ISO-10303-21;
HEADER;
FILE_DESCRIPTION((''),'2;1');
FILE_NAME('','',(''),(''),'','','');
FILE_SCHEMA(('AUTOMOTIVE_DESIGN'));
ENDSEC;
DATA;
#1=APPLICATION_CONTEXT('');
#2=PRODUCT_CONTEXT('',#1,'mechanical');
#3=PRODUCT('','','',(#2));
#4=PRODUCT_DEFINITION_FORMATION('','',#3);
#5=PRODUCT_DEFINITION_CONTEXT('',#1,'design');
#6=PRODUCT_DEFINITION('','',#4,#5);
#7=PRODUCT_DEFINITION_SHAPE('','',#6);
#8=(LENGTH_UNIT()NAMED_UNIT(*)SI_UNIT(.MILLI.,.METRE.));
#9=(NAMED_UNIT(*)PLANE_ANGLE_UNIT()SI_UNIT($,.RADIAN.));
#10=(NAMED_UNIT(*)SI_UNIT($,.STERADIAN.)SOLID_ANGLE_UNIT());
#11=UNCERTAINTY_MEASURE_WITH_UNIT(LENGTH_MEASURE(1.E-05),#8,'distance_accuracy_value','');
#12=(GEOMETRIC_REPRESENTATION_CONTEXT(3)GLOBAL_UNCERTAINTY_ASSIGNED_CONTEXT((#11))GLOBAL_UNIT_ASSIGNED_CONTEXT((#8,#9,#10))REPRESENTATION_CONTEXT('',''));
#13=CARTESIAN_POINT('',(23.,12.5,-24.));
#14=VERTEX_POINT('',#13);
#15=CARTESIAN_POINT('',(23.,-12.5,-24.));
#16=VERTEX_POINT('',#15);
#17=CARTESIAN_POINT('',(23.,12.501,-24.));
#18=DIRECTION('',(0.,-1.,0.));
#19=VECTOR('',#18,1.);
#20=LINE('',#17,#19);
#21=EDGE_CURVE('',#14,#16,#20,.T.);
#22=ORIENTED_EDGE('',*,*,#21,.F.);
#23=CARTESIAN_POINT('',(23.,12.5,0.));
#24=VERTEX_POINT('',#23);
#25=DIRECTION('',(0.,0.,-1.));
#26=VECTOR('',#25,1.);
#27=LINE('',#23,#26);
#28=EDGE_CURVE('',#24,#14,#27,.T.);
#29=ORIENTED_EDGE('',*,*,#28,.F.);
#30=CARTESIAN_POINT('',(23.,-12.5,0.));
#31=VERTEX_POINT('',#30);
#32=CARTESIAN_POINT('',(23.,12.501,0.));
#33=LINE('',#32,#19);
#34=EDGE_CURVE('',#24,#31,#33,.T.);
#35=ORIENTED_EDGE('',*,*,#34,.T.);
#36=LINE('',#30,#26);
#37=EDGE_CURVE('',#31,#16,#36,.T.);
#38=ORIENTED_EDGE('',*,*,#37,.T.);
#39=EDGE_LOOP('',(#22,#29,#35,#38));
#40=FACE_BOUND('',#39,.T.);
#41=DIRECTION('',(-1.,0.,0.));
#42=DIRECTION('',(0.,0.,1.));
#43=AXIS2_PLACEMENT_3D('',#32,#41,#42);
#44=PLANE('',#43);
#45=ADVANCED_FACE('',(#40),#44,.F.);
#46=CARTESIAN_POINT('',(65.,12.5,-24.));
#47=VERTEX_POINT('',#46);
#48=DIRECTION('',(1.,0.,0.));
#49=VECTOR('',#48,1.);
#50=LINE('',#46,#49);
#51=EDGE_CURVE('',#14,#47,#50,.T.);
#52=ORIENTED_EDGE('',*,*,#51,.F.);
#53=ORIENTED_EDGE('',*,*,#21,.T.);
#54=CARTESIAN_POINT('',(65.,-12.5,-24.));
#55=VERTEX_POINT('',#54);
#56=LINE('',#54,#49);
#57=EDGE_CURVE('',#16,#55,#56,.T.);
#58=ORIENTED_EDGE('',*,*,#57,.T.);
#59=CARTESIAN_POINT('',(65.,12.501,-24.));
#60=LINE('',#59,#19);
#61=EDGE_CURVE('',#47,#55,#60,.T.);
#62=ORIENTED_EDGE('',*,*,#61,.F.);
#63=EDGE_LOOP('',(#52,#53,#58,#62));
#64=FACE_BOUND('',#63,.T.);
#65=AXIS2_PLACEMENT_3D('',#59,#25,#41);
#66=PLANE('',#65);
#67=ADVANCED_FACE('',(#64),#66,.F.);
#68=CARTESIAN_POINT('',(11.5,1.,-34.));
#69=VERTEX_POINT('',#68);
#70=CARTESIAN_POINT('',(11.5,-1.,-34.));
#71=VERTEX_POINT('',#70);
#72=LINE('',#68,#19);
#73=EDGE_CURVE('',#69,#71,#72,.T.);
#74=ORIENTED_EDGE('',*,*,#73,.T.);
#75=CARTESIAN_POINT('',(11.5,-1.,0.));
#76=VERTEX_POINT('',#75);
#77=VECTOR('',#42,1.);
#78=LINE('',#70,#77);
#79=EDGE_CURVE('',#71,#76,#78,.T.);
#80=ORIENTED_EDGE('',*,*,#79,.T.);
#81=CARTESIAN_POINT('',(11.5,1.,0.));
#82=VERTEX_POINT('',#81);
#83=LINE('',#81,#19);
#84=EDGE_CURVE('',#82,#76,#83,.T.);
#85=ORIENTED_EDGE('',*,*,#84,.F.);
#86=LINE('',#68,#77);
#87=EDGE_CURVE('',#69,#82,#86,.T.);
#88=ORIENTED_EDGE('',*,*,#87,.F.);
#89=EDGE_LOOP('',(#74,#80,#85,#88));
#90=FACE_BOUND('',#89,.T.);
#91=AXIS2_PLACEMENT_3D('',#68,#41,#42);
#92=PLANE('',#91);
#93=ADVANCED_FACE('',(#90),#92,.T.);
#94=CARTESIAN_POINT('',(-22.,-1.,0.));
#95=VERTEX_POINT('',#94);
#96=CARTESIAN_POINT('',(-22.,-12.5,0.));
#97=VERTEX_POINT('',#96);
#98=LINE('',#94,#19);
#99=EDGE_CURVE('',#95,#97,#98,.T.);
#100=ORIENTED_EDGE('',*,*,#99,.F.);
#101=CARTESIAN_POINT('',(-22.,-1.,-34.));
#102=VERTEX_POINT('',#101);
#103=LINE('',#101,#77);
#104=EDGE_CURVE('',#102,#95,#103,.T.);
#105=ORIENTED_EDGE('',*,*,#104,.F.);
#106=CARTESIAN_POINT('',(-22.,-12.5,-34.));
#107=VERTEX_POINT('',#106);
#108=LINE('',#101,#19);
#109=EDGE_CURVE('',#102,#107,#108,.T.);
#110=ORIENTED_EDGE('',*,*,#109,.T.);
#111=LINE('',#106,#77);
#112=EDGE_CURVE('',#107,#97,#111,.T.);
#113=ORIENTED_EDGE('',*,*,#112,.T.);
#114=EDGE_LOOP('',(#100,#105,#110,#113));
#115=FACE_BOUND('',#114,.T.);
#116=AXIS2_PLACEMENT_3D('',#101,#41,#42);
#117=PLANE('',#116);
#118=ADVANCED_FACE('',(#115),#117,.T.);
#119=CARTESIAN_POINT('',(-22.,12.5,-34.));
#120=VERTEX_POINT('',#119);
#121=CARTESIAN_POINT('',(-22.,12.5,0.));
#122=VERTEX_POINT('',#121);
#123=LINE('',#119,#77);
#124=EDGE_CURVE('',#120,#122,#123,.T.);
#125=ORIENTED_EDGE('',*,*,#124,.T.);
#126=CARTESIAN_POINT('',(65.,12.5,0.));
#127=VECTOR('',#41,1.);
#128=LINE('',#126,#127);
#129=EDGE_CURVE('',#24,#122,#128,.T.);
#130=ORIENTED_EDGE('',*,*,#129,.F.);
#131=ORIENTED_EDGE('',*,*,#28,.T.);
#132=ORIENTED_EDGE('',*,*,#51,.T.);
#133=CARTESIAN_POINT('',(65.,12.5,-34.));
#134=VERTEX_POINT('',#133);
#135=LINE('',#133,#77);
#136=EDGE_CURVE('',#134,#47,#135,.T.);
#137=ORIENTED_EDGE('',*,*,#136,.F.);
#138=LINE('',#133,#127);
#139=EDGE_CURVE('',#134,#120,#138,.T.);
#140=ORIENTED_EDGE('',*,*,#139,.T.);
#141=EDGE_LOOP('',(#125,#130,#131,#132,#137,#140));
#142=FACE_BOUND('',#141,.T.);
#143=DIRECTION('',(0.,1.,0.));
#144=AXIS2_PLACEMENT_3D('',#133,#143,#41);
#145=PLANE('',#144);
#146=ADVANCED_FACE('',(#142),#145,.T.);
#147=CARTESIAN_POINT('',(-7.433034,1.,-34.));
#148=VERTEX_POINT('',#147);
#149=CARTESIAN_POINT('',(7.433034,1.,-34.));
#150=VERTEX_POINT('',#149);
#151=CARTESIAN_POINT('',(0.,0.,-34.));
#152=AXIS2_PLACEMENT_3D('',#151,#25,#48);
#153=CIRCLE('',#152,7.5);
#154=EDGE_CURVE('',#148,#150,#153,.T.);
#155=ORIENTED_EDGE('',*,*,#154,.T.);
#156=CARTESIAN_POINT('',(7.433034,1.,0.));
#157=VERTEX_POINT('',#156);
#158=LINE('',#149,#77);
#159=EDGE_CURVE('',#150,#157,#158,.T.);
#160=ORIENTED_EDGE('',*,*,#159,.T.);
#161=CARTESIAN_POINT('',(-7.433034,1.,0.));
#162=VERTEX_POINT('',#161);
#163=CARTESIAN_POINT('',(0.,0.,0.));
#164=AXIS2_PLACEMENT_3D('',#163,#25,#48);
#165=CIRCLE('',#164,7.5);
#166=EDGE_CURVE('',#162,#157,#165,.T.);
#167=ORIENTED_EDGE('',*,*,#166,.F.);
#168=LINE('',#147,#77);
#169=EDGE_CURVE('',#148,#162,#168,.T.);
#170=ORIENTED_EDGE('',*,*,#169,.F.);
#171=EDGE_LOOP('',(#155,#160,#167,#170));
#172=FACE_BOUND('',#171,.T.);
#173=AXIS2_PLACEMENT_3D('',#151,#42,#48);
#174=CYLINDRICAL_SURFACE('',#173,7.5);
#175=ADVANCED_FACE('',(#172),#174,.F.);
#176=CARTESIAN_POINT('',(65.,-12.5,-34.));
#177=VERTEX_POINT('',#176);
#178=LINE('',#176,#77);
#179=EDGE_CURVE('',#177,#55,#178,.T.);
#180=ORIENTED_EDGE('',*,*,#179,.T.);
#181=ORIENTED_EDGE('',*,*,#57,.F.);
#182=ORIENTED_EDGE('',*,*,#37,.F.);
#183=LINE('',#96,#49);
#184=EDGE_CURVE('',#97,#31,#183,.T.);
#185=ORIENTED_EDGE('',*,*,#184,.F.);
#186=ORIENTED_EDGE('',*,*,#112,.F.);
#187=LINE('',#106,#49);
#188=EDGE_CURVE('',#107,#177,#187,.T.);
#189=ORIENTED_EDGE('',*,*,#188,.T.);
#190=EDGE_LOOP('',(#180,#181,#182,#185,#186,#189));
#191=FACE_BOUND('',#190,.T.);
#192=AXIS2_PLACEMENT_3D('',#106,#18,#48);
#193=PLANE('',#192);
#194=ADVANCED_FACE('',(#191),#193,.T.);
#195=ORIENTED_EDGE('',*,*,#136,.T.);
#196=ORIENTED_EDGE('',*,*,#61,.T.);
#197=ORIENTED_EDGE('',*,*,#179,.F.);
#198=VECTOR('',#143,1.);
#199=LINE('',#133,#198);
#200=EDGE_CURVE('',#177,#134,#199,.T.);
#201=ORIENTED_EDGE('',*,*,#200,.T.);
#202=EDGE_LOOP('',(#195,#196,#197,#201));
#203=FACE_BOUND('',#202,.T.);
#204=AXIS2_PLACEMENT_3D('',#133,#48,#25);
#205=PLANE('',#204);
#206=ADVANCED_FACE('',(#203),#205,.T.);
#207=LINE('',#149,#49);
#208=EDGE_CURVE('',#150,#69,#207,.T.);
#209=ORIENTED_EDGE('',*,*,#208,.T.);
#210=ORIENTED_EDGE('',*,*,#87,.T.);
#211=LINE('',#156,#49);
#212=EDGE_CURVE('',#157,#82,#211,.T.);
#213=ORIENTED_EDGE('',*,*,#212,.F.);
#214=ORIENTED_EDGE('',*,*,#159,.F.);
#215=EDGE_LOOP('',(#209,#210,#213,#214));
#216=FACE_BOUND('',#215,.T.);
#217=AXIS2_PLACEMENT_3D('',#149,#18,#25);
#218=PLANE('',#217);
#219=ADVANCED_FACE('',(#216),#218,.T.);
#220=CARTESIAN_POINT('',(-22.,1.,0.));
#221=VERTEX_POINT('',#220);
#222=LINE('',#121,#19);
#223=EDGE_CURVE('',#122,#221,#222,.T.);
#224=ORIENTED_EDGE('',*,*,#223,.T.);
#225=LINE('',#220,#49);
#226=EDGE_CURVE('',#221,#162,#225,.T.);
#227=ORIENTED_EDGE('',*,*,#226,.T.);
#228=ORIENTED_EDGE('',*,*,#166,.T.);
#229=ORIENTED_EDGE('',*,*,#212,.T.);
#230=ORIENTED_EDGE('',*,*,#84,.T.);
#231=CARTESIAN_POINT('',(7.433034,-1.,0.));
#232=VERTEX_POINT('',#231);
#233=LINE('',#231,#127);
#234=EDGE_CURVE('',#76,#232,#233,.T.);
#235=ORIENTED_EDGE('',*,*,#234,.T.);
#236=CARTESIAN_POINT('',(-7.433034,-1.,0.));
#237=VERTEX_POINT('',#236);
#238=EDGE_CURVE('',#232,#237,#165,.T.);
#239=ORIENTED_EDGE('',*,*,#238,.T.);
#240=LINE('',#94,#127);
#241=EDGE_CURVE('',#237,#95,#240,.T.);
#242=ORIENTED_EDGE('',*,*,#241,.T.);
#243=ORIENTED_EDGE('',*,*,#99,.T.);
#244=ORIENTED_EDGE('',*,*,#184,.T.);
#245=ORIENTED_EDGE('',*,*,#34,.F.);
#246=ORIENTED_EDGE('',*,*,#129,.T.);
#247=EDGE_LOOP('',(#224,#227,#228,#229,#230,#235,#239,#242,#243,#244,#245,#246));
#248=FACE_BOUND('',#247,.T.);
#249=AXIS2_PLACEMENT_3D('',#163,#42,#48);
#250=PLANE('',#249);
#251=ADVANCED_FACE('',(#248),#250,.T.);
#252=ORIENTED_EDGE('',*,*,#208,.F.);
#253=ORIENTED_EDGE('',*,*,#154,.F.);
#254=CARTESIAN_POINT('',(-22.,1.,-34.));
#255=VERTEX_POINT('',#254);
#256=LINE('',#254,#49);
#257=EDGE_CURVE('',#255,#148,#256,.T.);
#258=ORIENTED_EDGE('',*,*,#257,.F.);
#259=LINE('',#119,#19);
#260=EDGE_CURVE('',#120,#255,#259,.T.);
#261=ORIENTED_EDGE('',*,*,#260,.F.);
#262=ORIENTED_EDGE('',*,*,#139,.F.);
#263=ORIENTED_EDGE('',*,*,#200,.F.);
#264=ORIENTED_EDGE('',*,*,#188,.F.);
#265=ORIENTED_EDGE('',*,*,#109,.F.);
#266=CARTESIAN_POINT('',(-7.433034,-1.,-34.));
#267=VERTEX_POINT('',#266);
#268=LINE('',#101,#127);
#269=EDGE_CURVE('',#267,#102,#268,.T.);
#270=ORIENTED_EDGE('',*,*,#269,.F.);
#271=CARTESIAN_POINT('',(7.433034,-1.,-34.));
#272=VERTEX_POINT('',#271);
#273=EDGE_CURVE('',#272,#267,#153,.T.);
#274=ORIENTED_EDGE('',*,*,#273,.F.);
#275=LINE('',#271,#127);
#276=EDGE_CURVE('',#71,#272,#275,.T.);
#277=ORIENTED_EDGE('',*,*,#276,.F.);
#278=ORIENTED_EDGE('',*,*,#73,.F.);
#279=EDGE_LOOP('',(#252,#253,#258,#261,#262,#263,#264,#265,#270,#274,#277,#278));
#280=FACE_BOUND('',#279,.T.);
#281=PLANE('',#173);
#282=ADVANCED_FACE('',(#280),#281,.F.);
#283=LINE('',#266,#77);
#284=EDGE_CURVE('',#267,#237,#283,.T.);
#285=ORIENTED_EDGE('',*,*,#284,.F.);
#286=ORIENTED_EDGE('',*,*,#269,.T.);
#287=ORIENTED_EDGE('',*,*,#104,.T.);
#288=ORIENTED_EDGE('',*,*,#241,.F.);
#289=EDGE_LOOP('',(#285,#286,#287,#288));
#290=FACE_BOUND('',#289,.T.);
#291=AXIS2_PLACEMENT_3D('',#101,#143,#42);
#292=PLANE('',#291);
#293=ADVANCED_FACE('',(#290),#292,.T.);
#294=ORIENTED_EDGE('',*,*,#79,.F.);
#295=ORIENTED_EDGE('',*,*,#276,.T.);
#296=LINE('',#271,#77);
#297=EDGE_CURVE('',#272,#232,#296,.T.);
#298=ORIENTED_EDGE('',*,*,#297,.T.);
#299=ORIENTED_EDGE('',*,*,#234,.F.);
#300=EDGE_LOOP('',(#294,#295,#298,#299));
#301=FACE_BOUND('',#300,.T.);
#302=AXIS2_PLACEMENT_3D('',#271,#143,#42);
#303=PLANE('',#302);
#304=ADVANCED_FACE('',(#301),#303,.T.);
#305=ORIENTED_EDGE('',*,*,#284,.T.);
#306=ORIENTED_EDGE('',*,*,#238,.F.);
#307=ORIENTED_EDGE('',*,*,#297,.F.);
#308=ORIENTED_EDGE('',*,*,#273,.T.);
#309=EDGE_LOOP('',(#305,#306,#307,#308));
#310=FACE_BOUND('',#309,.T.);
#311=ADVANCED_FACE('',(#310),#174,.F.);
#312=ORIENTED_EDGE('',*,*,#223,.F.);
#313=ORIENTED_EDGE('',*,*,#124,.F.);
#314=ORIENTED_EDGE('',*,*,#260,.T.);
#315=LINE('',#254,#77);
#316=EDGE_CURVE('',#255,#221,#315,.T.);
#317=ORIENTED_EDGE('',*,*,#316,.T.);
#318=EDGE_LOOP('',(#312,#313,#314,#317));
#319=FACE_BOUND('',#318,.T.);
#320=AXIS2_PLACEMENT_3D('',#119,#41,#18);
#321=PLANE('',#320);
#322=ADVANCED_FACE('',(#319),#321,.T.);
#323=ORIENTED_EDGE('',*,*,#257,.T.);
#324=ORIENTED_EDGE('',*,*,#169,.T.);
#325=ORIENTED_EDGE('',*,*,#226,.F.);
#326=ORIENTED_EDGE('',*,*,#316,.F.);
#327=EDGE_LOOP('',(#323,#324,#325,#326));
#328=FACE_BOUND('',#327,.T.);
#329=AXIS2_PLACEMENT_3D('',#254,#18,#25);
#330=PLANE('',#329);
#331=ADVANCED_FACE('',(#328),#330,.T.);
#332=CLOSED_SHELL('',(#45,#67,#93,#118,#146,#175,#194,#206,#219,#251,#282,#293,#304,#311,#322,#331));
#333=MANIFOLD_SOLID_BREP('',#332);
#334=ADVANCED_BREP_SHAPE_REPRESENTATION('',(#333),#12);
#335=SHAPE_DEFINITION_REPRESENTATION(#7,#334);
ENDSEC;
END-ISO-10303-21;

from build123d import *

# Parameters (mm, degrees)
LINEAR_AUSTRAGEN1_DEPTH         = 34
SCHNITT_LINEAR_AUSTRAGEN1_REACH = 79.498
SKIZZE8_W                       = 42
SKIZZE8_H                       = 24


with BuildPart() as part:
    # Skizze1 → Linear austragen1 (new body)
    with BuildSketch(Plane.XY):
        with BuildLine():
            Line((-22, -1), (-22, -12.5))
            Line((-22, -12.5), (65, -12.5))
            Line((65, -12.5), (65, 12.5))
            Line((65, 12.5), (-22, 12.5))
            Line((-22, 12.5), (-22, 1))
            Line((-22, 1), (-7.433034374, 1))
            ThreePointArc((-7.433034374, 1), (0, 7.5), (7.433034374, 1))
            Line((7.433034374, 1), (11.5, 1))
            Line((11.5, 1), (11.5, -1))
            Line((11.5, -1), (7.433034374, -1))
            ThreePointArc((7.433034374, -1), (0, -7.5), (-7.433034374, -1))
            Line((-7.433034374, -1), (-22, -1))
        make_face()
    extrude(amount=-LINEAR_AUSTRAGEN1_DEPTH)

    # Skizze8 → Schnitt-Linear austragen1 (cut, up to next)
    with BuildSketch(Plane.XZ.offset(12.5), mode=Mode.PRIVATE) as schnitt_linear_austragen1_sk1:
        with Locations((44, -12)):
            Rectangle(SKIZZE8_W, SKIZZE8_H)
    schnitt_linear_austragen1_tool1 = extrude(schnitt_linear_austragen1_sk1.sketch, amount=-SCHNITT_LINEAR_AUSTRAGEN1_REACH, mode=Mode.PRIVATE) & part.part
    add(schnitt_linear_austragen1_tool1.solids().sort_by_distance((44, -12.5, -12))[0], mode=Mode.SUBTRACT)


solid = part.part
